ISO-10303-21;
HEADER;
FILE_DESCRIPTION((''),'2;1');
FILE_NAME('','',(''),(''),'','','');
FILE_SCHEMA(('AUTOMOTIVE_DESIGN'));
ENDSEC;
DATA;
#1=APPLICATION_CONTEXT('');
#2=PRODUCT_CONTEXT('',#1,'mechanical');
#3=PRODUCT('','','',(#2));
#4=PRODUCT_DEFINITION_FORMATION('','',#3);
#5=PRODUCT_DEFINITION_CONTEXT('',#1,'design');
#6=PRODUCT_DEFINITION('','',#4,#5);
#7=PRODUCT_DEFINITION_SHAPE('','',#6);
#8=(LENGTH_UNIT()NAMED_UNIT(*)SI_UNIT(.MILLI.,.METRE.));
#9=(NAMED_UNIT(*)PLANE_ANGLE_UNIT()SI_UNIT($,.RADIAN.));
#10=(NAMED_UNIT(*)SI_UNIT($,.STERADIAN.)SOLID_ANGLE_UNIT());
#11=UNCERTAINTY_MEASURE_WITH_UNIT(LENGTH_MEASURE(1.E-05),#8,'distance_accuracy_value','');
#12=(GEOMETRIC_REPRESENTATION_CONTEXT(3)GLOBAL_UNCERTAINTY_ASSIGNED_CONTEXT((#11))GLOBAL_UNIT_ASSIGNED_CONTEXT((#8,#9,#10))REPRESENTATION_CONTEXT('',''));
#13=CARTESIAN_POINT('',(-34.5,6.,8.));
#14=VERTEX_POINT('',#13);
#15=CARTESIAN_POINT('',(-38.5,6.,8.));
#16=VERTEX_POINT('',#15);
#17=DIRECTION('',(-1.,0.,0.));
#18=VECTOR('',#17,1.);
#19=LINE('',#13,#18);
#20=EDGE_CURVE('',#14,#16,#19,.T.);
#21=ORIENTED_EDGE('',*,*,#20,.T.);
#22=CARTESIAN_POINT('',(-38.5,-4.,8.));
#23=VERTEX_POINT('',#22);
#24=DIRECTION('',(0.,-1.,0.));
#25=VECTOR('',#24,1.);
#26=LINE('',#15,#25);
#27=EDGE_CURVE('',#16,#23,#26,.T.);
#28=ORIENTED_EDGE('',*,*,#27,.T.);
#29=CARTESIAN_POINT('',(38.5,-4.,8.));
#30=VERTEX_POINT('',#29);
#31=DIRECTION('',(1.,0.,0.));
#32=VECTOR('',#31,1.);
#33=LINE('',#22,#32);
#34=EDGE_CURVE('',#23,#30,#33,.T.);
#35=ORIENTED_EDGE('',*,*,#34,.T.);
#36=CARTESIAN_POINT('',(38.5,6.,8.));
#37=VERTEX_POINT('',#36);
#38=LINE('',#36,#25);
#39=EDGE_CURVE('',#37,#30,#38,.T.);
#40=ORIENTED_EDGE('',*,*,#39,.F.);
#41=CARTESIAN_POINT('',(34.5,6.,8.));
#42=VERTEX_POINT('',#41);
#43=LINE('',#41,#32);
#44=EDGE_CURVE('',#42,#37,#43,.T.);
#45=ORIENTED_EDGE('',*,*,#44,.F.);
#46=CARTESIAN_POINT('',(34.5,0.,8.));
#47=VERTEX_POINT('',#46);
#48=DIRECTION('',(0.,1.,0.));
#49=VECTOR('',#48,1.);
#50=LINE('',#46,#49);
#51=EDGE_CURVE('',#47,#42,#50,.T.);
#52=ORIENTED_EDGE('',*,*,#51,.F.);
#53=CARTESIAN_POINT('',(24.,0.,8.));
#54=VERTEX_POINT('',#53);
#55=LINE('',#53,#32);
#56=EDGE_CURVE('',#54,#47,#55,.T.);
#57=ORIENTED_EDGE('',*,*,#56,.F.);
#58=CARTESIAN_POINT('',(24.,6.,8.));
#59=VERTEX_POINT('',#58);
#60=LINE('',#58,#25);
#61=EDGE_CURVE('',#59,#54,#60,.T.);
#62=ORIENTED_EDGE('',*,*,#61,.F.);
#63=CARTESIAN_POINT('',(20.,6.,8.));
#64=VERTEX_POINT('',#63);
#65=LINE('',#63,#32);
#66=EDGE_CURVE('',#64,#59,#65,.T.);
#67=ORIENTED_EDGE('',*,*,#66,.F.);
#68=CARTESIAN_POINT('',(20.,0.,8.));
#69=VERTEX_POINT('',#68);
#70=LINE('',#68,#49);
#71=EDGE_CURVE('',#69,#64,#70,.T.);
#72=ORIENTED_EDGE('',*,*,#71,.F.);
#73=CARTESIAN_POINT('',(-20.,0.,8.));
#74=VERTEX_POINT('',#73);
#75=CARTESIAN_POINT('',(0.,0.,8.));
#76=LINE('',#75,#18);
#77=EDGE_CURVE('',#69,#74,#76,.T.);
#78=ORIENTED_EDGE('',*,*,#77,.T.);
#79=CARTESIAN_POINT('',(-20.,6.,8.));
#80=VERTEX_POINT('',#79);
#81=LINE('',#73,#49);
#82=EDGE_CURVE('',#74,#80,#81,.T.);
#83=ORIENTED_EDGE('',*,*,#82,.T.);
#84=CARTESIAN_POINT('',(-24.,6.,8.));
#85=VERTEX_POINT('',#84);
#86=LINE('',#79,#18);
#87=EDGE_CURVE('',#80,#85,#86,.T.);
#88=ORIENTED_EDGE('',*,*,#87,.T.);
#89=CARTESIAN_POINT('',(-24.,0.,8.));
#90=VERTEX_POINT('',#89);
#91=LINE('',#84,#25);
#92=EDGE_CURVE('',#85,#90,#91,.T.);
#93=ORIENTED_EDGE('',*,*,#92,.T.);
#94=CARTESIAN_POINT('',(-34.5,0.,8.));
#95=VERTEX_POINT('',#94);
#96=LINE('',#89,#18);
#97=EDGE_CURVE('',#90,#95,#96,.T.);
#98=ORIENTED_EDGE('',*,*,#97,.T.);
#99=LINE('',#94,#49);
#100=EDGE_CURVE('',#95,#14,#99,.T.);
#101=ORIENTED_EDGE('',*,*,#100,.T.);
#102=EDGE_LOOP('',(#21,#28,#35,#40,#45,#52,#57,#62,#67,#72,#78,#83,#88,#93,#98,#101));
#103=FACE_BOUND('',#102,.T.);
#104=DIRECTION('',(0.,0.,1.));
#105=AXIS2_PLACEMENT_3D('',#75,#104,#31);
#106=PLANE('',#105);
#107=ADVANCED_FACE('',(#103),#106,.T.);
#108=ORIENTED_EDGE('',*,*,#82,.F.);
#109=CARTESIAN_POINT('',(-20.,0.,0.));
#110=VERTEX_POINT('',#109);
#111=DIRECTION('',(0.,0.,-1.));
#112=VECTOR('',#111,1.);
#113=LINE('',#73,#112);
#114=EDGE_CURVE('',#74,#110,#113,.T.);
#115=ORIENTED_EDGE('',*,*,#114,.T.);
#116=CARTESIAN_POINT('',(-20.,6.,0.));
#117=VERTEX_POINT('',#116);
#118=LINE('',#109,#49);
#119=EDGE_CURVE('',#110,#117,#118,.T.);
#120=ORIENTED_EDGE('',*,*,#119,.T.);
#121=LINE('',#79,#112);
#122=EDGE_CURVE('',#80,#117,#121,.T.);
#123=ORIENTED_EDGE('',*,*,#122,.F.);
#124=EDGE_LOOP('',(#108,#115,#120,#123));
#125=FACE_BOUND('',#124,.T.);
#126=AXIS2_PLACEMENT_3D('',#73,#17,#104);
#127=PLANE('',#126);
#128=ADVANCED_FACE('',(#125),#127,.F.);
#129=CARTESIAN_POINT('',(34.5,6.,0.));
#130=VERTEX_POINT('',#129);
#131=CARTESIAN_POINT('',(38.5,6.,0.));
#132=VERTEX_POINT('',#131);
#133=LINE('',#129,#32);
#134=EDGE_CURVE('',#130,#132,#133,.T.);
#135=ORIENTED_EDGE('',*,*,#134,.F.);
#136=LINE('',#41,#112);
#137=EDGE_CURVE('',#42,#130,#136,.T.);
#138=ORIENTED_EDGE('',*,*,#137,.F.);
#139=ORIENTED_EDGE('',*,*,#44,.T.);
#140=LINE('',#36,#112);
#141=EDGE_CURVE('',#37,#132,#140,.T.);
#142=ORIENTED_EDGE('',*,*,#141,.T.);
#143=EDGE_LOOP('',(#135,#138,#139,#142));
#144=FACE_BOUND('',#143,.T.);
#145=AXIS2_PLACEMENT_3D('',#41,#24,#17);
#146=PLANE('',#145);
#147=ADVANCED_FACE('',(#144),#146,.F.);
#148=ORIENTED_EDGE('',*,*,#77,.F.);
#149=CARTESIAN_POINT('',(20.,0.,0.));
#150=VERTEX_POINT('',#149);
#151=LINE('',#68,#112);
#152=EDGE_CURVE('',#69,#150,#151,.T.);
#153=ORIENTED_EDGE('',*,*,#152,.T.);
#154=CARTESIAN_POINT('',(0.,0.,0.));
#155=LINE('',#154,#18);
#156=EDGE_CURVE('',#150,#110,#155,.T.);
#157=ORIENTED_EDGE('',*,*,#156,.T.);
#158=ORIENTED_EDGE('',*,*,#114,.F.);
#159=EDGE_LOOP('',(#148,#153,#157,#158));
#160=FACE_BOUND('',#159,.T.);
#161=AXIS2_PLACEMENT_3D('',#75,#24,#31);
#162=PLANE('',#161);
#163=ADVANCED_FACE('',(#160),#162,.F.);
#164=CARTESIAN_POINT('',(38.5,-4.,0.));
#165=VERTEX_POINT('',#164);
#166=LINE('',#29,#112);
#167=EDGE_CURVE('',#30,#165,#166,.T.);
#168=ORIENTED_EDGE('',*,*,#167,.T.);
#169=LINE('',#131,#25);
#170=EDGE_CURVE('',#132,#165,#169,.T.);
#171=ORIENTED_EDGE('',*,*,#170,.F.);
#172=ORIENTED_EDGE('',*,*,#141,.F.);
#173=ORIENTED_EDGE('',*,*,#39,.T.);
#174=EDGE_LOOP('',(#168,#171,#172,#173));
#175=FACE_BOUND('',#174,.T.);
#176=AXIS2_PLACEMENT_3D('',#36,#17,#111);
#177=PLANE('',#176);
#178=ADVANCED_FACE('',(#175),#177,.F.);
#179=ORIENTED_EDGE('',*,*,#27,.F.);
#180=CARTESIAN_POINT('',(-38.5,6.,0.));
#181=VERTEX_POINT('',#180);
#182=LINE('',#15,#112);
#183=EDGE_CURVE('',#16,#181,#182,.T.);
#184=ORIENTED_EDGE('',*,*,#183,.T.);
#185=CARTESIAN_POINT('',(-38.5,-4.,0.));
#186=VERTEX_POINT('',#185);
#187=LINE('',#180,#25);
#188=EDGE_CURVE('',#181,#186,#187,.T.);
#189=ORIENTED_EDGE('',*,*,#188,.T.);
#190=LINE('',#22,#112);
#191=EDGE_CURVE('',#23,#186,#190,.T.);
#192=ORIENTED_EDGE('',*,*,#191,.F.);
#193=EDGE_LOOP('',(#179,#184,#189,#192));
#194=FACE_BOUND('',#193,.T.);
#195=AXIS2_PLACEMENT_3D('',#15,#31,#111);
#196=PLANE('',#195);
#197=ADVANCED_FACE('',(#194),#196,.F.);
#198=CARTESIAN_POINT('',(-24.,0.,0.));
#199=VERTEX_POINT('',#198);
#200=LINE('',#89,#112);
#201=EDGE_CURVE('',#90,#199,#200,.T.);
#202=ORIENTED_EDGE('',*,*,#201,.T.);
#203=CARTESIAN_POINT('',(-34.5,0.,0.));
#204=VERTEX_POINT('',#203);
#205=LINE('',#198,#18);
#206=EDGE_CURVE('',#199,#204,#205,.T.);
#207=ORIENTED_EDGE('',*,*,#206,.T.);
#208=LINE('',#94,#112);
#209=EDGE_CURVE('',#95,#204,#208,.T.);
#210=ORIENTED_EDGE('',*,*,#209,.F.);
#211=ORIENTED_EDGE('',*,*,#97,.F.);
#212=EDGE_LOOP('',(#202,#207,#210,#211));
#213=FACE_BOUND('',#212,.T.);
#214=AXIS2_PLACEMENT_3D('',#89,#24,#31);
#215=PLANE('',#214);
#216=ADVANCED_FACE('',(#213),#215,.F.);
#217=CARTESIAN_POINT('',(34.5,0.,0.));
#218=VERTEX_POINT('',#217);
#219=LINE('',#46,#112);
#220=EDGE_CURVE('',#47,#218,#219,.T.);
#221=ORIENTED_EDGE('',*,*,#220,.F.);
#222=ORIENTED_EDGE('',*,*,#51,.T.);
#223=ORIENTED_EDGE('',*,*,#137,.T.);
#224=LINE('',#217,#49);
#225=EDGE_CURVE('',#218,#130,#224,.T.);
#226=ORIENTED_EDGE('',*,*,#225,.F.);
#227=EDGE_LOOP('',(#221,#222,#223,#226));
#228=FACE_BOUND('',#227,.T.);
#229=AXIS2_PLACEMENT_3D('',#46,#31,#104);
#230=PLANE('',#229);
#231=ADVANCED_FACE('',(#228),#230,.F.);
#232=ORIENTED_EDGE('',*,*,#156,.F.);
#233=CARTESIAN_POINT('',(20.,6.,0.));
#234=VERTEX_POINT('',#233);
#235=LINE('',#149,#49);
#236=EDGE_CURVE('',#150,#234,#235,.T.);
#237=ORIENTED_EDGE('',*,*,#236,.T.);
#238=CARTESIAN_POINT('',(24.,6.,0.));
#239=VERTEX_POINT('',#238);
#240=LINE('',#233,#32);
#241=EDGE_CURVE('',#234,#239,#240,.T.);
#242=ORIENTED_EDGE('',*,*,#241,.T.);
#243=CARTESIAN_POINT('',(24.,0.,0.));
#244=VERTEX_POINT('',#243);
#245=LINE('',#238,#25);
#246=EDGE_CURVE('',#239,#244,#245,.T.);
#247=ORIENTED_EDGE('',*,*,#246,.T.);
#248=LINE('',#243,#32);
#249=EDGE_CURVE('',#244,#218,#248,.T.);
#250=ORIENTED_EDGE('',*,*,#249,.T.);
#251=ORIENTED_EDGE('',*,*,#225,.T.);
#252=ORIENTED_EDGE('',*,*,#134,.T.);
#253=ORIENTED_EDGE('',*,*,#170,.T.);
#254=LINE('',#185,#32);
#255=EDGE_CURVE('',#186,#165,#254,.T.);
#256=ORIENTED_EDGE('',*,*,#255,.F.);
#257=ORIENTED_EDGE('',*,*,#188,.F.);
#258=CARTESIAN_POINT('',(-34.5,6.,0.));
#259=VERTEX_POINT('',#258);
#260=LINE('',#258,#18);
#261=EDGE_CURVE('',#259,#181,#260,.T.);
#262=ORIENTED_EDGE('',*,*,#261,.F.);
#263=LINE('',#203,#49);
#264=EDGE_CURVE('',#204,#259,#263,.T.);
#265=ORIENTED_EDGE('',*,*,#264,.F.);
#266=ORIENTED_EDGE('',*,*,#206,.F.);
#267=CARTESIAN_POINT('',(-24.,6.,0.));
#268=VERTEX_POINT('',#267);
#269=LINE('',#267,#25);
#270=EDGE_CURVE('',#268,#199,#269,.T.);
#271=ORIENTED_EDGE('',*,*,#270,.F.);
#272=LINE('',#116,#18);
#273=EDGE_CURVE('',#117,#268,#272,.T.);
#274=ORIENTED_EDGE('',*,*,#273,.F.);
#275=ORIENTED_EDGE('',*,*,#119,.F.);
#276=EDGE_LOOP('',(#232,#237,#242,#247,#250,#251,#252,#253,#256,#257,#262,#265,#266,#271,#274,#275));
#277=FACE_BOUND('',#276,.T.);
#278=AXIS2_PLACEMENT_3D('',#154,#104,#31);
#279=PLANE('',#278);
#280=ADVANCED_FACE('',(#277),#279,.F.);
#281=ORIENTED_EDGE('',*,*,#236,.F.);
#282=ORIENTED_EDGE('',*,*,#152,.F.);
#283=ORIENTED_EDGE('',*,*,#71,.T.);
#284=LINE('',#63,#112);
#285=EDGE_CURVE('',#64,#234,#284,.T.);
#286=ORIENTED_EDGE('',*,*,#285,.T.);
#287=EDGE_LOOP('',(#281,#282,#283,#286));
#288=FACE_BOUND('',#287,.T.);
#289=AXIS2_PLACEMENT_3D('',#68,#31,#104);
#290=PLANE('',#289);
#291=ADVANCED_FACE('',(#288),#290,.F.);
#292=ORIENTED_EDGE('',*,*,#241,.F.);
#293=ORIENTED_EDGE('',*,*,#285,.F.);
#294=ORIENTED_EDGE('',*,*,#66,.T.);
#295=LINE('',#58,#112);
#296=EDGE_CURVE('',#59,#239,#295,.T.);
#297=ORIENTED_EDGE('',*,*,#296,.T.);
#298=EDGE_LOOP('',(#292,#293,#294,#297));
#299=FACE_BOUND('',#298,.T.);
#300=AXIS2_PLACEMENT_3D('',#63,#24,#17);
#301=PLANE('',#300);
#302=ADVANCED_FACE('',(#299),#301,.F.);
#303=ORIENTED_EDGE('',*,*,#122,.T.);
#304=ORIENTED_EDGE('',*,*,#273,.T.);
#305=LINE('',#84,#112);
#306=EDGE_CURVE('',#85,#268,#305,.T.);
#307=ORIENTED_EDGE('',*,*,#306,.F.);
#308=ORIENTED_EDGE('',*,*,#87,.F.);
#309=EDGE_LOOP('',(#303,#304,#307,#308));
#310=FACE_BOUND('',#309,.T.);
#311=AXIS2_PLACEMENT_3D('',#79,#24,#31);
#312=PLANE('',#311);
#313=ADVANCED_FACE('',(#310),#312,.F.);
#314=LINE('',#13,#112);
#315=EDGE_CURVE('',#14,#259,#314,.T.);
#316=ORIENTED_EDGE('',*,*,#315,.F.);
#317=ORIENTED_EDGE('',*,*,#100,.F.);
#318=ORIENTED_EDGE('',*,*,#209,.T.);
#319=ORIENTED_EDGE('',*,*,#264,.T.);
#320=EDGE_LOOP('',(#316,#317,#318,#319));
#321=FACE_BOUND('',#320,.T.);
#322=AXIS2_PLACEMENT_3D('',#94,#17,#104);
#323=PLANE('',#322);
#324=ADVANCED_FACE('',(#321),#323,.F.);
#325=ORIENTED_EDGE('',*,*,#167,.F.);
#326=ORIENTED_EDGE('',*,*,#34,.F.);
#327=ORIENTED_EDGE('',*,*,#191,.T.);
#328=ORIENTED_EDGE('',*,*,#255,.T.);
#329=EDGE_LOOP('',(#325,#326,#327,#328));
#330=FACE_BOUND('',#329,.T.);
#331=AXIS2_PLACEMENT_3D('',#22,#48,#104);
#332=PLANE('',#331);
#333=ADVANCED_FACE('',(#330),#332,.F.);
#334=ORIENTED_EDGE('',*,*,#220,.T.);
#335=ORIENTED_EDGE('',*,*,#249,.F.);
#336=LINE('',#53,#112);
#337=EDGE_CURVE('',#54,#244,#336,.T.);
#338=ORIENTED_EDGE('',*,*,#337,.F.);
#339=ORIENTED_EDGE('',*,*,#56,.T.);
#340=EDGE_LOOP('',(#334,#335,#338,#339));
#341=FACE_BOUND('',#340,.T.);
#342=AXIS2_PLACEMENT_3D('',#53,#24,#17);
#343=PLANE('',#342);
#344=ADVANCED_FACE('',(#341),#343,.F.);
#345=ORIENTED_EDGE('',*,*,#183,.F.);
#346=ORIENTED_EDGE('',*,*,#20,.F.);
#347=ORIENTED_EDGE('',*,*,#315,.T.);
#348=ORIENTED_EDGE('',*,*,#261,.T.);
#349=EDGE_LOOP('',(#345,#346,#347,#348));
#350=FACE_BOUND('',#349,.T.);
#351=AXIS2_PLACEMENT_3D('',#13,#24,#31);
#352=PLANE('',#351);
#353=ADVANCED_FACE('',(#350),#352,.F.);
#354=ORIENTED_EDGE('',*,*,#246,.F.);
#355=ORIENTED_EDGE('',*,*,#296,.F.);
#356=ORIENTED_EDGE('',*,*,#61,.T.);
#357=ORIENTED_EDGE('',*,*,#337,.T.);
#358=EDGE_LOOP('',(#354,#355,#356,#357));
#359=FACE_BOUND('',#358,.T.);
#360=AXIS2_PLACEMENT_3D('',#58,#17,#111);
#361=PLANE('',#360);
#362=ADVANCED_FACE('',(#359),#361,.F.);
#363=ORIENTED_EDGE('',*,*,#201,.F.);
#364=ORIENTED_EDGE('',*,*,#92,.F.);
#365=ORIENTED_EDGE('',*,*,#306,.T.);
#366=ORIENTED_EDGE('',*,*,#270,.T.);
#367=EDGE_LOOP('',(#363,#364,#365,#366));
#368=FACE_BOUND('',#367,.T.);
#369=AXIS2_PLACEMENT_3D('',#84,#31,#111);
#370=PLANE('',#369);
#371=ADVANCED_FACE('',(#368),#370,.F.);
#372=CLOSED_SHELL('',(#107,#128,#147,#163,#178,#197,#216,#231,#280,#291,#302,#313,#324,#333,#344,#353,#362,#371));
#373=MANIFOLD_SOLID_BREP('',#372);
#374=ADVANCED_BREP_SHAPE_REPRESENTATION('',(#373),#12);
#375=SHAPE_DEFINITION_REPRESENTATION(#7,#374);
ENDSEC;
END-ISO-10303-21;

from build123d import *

# Parameters (mm, degrees)
BOSS_EXTRUDE2_DEPTH = 8


with BuildPart() as part:
    # Sketch1 → Boss-Extrude2 (new body)
    with BuildSketch(Plane.XY):
        Polygon((0, 0), (-20, 0), (-20, 6), (-24, 6), (-24, 0), (-34.5, 0), (-34.5, 6), (-38.5, 6), (-38.5, -4), (0, -4), align=None)
    extrude(amount=BOSS_EXTRUDE2_DEPTH)

    # Mirror1: part across plane


with BuildPart() as part_1:
    add(part.part)
    add(part.part.mirror(Plane(origin=(0, 0, 0), x_dir=(0, 0, 1), z_dir=(1, 0, 0))))


solid = part_1.part
